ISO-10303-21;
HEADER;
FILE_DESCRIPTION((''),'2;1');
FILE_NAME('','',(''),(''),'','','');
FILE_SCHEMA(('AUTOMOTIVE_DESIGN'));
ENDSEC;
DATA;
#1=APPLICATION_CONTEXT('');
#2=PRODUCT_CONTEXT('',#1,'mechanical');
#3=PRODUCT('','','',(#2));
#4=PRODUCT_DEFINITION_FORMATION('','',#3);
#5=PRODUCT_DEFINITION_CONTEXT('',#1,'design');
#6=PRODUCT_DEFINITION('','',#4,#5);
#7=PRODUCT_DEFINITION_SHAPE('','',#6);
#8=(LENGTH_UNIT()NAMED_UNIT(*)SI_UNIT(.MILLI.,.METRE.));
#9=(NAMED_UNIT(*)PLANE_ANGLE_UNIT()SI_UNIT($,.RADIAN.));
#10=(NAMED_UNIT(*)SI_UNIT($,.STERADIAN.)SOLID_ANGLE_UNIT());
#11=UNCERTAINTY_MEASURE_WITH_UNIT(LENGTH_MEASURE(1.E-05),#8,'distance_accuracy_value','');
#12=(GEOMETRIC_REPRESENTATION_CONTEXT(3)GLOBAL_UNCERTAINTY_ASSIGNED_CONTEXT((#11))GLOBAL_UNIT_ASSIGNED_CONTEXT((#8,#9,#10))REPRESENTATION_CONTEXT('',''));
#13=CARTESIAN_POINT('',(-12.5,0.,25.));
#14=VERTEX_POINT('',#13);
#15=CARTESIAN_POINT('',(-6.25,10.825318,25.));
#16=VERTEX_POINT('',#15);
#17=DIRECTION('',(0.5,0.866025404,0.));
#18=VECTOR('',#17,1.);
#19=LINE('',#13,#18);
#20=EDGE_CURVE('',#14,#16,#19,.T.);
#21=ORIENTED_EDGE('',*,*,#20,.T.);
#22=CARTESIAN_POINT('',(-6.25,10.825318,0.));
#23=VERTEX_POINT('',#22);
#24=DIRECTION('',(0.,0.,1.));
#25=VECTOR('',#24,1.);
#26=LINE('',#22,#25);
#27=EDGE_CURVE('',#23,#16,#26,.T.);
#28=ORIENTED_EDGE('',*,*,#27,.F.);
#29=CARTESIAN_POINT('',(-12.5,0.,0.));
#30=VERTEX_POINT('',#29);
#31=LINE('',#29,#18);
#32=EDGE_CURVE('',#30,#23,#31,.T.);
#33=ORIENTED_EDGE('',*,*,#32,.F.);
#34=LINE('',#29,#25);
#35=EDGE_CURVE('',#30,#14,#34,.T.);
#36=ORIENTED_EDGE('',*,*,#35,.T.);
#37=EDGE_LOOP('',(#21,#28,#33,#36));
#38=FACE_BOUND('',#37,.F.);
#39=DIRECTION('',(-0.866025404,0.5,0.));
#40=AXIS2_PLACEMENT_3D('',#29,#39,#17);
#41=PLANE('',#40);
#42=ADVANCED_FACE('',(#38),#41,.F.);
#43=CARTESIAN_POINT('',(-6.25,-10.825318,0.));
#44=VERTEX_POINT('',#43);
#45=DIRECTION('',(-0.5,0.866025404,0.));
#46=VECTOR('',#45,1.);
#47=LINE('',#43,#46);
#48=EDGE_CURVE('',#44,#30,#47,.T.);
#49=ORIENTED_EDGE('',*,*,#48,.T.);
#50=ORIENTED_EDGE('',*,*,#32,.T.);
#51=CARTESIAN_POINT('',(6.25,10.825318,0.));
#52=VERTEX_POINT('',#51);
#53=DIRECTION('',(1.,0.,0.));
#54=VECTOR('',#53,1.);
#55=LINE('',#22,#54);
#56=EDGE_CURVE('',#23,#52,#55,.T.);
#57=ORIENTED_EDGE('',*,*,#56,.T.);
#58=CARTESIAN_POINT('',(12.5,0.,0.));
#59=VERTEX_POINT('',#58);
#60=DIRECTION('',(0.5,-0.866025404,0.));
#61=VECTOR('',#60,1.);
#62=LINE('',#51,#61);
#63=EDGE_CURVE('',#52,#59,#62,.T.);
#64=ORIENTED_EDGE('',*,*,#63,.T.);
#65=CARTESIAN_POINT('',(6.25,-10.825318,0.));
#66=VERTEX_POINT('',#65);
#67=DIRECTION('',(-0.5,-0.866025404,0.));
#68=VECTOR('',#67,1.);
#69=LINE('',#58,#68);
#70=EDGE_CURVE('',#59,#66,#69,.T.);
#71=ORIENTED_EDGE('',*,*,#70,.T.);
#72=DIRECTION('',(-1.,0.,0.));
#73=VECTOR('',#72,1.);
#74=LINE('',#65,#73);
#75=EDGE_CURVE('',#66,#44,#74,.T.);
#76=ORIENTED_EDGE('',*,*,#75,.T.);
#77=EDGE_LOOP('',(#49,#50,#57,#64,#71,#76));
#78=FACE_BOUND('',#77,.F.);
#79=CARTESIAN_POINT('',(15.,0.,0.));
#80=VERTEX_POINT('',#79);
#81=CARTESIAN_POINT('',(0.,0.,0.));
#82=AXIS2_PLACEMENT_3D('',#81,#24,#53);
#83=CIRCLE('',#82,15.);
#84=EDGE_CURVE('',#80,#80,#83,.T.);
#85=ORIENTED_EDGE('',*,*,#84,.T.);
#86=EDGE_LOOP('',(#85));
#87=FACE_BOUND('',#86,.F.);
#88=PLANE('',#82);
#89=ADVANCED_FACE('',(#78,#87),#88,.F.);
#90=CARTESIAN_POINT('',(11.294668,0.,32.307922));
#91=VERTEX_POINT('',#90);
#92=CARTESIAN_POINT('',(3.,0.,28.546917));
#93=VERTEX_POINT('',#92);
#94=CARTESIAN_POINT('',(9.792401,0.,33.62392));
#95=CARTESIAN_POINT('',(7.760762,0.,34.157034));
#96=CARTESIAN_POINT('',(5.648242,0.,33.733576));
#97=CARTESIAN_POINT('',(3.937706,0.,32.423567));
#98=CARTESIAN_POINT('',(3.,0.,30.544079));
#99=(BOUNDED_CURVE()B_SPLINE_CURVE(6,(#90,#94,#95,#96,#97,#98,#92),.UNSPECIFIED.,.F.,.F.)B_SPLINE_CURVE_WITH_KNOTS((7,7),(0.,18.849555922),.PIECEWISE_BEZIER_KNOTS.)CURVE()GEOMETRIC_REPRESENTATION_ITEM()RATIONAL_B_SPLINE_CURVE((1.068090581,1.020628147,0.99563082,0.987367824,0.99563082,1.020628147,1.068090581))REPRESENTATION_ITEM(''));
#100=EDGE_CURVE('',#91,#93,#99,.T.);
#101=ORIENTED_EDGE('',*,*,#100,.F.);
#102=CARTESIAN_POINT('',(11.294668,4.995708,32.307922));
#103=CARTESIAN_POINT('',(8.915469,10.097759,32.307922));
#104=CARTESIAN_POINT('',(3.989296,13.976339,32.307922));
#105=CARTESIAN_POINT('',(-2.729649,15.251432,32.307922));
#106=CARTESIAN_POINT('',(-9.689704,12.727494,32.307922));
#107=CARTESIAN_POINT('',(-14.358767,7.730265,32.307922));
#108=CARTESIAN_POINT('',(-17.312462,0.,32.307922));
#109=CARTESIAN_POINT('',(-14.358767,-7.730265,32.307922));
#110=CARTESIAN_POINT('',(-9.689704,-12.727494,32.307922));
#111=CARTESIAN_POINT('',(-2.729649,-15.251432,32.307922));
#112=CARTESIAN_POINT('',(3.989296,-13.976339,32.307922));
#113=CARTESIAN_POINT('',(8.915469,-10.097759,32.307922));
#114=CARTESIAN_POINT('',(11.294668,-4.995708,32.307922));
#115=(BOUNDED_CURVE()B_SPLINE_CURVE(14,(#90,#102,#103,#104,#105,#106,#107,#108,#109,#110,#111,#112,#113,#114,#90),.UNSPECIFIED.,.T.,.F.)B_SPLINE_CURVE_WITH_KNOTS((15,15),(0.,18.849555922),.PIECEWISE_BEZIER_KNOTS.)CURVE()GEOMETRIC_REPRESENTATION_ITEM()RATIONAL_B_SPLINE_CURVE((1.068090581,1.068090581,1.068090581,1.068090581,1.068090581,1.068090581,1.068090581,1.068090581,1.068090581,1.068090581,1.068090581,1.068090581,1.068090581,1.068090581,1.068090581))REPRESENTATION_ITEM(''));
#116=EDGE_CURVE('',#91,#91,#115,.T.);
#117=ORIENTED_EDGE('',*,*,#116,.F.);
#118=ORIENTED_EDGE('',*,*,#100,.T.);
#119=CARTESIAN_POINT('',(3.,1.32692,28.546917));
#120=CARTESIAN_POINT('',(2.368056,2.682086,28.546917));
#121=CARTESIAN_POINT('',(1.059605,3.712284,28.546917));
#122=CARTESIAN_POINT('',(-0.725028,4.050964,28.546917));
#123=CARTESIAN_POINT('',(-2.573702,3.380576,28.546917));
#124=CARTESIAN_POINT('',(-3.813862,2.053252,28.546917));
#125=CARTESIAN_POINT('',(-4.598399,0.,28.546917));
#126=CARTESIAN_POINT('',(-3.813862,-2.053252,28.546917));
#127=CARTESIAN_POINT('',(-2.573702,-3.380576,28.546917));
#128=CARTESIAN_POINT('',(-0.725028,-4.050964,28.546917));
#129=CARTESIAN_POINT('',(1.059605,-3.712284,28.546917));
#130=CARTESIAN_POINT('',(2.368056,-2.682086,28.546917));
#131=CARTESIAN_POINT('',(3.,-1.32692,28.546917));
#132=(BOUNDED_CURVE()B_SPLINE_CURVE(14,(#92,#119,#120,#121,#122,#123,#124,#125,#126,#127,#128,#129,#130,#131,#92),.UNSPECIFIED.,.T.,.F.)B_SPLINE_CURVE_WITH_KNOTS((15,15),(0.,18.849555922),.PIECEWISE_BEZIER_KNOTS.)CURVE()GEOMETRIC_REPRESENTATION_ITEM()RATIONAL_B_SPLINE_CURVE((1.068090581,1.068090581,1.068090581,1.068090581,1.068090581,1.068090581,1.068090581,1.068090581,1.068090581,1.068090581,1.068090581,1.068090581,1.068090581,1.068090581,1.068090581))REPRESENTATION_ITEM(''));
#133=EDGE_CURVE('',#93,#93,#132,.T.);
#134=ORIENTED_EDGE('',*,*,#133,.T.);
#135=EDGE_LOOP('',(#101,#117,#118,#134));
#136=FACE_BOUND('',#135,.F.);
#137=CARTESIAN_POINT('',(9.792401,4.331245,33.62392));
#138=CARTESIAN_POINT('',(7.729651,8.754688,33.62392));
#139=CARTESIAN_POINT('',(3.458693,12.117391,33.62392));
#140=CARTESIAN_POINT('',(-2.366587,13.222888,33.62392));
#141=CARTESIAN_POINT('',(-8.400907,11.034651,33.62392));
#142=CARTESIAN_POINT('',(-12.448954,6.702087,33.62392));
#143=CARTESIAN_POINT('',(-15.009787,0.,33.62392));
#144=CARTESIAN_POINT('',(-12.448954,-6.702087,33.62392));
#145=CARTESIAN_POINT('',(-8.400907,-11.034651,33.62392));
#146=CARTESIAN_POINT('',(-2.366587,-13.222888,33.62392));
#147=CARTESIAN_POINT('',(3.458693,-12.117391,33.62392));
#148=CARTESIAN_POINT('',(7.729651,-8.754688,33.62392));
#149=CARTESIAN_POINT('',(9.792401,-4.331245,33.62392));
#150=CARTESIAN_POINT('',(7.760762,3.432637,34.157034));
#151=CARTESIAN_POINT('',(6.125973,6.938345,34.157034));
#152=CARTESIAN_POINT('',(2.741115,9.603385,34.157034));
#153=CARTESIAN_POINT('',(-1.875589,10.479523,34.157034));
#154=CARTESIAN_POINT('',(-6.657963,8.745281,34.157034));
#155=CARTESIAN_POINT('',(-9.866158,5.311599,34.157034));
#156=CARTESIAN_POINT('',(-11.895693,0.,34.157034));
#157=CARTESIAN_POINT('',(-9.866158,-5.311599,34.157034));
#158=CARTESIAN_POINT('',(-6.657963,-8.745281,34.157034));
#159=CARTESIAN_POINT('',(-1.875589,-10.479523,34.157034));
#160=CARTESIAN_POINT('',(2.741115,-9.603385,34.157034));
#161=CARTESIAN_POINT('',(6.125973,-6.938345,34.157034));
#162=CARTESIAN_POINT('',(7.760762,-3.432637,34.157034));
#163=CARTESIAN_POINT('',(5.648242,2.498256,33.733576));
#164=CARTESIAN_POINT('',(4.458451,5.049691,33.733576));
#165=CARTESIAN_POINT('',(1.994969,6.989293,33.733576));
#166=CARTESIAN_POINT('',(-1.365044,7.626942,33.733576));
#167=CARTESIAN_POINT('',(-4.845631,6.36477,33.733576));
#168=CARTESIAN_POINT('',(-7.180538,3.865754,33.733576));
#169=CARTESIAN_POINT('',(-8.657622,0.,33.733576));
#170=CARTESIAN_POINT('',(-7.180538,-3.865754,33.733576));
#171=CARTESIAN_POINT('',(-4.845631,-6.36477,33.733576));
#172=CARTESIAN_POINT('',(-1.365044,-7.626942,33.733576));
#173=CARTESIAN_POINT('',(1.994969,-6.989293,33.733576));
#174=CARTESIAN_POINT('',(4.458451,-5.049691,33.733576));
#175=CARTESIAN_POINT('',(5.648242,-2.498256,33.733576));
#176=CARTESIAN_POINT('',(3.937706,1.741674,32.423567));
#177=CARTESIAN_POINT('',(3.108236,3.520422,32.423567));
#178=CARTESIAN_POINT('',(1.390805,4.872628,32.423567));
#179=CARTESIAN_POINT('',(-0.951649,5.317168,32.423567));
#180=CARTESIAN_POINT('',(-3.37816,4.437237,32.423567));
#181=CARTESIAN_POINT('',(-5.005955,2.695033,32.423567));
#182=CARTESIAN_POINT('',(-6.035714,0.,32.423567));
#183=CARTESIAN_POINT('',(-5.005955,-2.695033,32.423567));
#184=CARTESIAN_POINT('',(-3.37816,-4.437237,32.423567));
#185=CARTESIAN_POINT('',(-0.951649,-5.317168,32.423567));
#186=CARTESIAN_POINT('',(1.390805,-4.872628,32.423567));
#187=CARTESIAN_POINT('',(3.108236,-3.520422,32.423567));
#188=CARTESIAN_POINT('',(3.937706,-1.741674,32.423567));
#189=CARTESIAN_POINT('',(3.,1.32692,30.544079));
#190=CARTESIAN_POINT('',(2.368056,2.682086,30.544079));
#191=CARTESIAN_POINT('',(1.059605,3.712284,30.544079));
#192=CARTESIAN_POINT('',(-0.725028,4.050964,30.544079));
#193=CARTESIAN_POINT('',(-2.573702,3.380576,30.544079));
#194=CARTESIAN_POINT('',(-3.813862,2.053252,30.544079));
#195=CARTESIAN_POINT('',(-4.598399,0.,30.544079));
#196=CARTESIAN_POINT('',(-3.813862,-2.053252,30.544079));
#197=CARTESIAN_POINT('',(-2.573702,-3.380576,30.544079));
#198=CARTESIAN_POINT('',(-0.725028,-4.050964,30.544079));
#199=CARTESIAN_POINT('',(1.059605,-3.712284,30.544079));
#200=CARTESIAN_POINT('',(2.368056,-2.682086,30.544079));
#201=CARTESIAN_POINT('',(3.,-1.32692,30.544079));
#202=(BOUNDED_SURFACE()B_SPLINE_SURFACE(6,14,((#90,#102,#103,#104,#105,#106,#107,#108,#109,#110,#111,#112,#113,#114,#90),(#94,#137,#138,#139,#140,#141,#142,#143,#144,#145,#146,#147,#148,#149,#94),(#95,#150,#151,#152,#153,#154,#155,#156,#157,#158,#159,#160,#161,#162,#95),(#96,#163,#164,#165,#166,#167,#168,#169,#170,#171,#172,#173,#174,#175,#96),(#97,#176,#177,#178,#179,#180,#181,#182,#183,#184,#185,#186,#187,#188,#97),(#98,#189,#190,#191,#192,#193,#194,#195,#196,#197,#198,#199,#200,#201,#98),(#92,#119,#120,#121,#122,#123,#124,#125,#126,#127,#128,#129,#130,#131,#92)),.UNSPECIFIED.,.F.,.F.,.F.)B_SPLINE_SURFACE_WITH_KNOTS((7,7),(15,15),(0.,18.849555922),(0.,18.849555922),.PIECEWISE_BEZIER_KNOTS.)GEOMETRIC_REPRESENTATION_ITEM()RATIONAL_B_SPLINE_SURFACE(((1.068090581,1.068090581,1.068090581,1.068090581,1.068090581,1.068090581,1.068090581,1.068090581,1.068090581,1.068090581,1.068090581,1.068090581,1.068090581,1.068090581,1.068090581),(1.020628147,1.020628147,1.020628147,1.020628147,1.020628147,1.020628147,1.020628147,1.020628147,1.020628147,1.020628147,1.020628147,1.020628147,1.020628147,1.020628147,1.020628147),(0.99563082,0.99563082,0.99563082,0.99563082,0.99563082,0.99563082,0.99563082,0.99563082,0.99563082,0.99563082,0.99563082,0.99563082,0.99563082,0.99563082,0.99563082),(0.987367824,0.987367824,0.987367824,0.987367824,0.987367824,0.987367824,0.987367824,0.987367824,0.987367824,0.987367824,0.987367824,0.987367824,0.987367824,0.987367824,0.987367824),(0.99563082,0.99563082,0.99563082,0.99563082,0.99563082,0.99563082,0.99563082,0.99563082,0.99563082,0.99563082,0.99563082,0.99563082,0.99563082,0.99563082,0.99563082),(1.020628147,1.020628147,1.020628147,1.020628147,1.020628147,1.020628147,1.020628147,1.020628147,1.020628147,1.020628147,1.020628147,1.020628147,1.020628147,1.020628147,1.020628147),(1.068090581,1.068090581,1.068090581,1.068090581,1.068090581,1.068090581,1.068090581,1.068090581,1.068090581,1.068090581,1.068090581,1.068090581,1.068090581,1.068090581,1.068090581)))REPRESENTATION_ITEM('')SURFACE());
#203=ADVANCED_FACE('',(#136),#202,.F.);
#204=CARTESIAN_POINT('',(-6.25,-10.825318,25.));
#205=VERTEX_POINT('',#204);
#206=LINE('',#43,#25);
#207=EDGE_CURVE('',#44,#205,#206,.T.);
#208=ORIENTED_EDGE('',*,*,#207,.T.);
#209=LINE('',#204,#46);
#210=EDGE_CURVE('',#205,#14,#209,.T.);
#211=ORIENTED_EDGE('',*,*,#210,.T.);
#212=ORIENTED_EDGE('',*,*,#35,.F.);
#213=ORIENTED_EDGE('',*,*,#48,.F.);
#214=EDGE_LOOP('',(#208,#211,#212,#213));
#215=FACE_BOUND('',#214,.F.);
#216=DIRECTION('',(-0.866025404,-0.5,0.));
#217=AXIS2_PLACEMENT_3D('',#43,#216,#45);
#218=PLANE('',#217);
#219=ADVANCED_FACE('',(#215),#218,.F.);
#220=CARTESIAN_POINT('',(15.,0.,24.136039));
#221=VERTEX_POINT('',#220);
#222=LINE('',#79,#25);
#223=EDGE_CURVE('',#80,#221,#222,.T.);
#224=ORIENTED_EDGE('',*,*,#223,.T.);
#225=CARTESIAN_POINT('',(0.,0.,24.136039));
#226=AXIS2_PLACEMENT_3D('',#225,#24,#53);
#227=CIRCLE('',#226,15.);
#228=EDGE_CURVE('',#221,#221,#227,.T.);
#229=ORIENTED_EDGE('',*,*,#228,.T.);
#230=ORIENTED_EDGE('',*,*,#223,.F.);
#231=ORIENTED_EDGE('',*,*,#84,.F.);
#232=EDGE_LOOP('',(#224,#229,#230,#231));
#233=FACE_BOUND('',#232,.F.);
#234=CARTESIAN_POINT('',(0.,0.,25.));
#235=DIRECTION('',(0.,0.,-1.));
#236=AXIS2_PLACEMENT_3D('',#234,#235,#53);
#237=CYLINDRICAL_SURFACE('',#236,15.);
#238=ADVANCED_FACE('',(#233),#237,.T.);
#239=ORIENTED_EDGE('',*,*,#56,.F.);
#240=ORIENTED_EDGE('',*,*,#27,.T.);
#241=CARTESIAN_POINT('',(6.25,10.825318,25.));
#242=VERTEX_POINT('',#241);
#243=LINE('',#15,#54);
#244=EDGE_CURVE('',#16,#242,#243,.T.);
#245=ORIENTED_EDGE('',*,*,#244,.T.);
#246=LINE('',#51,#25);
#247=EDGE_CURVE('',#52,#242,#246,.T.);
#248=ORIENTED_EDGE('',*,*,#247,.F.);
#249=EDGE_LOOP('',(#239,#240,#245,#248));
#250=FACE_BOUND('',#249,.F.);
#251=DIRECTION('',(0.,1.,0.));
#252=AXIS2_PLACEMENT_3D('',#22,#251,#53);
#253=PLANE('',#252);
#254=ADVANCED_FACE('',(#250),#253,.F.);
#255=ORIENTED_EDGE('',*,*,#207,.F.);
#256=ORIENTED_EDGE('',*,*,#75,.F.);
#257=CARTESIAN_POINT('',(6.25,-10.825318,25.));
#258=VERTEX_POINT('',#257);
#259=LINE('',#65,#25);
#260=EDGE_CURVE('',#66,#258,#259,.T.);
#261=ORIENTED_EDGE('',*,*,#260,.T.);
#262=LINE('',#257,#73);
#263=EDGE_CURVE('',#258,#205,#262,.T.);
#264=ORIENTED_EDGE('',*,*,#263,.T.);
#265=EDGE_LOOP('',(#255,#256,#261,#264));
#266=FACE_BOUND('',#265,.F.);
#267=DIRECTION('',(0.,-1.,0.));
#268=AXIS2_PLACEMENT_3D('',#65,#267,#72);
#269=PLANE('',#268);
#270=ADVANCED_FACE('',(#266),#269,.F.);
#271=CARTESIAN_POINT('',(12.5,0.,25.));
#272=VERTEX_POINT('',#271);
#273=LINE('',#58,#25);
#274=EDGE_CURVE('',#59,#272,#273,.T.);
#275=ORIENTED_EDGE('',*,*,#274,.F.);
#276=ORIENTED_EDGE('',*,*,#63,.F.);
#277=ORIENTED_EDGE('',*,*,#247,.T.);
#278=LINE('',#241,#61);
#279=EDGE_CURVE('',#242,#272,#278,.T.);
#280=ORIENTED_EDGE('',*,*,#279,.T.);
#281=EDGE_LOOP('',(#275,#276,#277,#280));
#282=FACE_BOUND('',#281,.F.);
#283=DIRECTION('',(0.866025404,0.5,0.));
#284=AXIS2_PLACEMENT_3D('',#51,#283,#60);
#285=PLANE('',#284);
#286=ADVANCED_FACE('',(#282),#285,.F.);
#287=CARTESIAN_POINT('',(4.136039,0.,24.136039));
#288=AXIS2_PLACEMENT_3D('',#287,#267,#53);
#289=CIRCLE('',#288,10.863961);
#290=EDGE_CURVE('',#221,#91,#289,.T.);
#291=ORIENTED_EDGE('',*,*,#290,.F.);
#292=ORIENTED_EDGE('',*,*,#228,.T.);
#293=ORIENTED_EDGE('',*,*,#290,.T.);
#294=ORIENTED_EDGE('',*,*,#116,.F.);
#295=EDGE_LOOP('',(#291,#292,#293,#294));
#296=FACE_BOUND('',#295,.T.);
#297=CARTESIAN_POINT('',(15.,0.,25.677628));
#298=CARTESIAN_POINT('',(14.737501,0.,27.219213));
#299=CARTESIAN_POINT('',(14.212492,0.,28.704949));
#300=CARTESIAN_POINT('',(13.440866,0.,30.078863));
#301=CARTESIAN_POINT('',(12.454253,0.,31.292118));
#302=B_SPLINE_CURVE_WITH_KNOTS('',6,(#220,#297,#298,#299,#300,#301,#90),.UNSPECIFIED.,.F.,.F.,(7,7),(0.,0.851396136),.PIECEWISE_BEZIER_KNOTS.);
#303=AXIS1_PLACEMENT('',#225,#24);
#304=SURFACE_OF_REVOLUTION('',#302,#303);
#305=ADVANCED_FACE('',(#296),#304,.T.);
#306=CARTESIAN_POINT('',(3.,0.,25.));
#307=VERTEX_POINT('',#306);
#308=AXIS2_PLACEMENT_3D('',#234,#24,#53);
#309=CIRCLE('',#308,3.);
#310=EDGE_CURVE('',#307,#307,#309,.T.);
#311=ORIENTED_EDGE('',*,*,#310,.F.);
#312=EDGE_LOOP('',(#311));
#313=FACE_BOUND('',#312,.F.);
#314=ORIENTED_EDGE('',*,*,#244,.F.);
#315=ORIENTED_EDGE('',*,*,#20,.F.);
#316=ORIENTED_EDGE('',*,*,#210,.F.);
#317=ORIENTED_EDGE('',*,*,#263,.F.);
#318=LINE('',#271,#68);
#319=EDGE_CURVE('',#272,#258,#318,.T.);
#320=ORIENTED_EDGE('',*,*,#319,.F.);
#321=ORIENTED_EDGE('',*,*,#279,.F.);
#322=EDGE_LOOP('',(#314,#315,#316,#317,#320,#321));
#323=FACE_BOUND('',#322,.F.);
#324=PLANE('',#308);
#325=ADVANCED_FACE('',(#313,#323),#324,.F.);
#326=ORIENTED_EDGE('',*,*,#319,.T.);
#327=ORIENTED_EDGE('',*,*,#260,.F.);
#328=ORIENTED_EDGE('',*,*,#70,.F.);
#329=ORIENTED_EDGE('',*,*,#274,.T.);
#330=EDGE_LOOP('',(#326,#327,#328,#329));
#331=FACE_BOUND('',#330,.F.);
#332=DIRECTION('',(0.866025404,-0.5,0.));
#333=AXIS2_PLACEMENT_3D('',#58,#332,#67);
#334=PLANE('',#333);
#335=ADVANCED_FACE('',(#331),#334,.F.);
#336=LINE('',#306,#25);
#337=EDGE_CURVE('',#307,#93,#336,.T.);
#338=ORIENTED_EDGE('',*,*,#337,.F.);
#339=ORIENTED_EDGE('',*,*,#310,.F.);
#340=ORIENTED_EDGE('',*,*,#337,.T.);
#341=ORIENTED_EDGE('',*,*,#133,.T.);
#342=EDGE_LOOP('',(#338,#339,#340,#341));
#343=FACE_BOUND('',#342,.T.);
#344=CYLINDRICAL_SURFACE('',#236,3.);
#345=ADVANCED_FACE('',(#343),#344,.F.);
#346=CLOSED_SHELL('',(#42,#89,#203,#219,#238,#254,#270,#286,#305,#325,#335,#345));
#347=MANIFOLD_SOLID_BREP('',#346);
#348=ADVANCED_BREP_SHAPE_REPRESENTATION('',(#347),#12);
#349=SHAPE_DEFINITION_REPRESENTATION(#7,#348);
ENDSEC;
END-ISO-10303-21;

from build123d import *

# Parameters (mm, degrees)
F0_R     = 15
F1_DEPTH = 25
F2_START = 25
F0_R_2   = 3
F2_DEPTH = 10
F3_R     = 10.8639610307
F4_R     = 5


with BuildPart() as f1:
    # F0 (on Top) → F1 (new body)
    with BuildSketch(Plane.XY):
        Circle(F0_R)
        Polygon((12.5, 0), (6.25, -10.8253175473), (-6.25, -10.8253175473), (-12.5, 0), (-6.25, 10.8253175473), (6.25, 10.8253175473), align=None, mode=Mode.SUBTRACT)
    extrude(amount=F1_DEPTH)

    # F0 (on Top) → F2 (join)
    with BuildSketch(Plane.XY.offset(F2_START)):
        Circle(F0_R)
        Polygon((12.5, 0), (6.25, -10.8253175473), (-6.25, -10.8253175473), (-12.5, 0), (-6.25, 10.8253175473), (6.25, 10.8253175473), align=None, mode=Mode.SUBTRACT)
        Polygon((-6.25, -10.8253175473), (6.25, -10.8253175473), (12.5, 0), (6.25, 10.8253175473), (-6.25, 10.8253175473), (-12.5, 0), align=None)
        Circle(F0_R_2, mode=Mode.SUBTRACT)
    extrude(amount=F2_DEPTH)

    # F3
    f3_edges = [f1.edges().sort_by_distance(p)[0] for p in [
        (-15, 0, 35),
    ]]
    fillet(f3_edges, radius=F3_R)

    # F4
    f4_edges = [f1.edges().sort_by_distance(p)[0] for p in [
        (-3, 0, 35),
    ]]
    fillet(f4_edges, radius=F4_R)


solid = f1.part
